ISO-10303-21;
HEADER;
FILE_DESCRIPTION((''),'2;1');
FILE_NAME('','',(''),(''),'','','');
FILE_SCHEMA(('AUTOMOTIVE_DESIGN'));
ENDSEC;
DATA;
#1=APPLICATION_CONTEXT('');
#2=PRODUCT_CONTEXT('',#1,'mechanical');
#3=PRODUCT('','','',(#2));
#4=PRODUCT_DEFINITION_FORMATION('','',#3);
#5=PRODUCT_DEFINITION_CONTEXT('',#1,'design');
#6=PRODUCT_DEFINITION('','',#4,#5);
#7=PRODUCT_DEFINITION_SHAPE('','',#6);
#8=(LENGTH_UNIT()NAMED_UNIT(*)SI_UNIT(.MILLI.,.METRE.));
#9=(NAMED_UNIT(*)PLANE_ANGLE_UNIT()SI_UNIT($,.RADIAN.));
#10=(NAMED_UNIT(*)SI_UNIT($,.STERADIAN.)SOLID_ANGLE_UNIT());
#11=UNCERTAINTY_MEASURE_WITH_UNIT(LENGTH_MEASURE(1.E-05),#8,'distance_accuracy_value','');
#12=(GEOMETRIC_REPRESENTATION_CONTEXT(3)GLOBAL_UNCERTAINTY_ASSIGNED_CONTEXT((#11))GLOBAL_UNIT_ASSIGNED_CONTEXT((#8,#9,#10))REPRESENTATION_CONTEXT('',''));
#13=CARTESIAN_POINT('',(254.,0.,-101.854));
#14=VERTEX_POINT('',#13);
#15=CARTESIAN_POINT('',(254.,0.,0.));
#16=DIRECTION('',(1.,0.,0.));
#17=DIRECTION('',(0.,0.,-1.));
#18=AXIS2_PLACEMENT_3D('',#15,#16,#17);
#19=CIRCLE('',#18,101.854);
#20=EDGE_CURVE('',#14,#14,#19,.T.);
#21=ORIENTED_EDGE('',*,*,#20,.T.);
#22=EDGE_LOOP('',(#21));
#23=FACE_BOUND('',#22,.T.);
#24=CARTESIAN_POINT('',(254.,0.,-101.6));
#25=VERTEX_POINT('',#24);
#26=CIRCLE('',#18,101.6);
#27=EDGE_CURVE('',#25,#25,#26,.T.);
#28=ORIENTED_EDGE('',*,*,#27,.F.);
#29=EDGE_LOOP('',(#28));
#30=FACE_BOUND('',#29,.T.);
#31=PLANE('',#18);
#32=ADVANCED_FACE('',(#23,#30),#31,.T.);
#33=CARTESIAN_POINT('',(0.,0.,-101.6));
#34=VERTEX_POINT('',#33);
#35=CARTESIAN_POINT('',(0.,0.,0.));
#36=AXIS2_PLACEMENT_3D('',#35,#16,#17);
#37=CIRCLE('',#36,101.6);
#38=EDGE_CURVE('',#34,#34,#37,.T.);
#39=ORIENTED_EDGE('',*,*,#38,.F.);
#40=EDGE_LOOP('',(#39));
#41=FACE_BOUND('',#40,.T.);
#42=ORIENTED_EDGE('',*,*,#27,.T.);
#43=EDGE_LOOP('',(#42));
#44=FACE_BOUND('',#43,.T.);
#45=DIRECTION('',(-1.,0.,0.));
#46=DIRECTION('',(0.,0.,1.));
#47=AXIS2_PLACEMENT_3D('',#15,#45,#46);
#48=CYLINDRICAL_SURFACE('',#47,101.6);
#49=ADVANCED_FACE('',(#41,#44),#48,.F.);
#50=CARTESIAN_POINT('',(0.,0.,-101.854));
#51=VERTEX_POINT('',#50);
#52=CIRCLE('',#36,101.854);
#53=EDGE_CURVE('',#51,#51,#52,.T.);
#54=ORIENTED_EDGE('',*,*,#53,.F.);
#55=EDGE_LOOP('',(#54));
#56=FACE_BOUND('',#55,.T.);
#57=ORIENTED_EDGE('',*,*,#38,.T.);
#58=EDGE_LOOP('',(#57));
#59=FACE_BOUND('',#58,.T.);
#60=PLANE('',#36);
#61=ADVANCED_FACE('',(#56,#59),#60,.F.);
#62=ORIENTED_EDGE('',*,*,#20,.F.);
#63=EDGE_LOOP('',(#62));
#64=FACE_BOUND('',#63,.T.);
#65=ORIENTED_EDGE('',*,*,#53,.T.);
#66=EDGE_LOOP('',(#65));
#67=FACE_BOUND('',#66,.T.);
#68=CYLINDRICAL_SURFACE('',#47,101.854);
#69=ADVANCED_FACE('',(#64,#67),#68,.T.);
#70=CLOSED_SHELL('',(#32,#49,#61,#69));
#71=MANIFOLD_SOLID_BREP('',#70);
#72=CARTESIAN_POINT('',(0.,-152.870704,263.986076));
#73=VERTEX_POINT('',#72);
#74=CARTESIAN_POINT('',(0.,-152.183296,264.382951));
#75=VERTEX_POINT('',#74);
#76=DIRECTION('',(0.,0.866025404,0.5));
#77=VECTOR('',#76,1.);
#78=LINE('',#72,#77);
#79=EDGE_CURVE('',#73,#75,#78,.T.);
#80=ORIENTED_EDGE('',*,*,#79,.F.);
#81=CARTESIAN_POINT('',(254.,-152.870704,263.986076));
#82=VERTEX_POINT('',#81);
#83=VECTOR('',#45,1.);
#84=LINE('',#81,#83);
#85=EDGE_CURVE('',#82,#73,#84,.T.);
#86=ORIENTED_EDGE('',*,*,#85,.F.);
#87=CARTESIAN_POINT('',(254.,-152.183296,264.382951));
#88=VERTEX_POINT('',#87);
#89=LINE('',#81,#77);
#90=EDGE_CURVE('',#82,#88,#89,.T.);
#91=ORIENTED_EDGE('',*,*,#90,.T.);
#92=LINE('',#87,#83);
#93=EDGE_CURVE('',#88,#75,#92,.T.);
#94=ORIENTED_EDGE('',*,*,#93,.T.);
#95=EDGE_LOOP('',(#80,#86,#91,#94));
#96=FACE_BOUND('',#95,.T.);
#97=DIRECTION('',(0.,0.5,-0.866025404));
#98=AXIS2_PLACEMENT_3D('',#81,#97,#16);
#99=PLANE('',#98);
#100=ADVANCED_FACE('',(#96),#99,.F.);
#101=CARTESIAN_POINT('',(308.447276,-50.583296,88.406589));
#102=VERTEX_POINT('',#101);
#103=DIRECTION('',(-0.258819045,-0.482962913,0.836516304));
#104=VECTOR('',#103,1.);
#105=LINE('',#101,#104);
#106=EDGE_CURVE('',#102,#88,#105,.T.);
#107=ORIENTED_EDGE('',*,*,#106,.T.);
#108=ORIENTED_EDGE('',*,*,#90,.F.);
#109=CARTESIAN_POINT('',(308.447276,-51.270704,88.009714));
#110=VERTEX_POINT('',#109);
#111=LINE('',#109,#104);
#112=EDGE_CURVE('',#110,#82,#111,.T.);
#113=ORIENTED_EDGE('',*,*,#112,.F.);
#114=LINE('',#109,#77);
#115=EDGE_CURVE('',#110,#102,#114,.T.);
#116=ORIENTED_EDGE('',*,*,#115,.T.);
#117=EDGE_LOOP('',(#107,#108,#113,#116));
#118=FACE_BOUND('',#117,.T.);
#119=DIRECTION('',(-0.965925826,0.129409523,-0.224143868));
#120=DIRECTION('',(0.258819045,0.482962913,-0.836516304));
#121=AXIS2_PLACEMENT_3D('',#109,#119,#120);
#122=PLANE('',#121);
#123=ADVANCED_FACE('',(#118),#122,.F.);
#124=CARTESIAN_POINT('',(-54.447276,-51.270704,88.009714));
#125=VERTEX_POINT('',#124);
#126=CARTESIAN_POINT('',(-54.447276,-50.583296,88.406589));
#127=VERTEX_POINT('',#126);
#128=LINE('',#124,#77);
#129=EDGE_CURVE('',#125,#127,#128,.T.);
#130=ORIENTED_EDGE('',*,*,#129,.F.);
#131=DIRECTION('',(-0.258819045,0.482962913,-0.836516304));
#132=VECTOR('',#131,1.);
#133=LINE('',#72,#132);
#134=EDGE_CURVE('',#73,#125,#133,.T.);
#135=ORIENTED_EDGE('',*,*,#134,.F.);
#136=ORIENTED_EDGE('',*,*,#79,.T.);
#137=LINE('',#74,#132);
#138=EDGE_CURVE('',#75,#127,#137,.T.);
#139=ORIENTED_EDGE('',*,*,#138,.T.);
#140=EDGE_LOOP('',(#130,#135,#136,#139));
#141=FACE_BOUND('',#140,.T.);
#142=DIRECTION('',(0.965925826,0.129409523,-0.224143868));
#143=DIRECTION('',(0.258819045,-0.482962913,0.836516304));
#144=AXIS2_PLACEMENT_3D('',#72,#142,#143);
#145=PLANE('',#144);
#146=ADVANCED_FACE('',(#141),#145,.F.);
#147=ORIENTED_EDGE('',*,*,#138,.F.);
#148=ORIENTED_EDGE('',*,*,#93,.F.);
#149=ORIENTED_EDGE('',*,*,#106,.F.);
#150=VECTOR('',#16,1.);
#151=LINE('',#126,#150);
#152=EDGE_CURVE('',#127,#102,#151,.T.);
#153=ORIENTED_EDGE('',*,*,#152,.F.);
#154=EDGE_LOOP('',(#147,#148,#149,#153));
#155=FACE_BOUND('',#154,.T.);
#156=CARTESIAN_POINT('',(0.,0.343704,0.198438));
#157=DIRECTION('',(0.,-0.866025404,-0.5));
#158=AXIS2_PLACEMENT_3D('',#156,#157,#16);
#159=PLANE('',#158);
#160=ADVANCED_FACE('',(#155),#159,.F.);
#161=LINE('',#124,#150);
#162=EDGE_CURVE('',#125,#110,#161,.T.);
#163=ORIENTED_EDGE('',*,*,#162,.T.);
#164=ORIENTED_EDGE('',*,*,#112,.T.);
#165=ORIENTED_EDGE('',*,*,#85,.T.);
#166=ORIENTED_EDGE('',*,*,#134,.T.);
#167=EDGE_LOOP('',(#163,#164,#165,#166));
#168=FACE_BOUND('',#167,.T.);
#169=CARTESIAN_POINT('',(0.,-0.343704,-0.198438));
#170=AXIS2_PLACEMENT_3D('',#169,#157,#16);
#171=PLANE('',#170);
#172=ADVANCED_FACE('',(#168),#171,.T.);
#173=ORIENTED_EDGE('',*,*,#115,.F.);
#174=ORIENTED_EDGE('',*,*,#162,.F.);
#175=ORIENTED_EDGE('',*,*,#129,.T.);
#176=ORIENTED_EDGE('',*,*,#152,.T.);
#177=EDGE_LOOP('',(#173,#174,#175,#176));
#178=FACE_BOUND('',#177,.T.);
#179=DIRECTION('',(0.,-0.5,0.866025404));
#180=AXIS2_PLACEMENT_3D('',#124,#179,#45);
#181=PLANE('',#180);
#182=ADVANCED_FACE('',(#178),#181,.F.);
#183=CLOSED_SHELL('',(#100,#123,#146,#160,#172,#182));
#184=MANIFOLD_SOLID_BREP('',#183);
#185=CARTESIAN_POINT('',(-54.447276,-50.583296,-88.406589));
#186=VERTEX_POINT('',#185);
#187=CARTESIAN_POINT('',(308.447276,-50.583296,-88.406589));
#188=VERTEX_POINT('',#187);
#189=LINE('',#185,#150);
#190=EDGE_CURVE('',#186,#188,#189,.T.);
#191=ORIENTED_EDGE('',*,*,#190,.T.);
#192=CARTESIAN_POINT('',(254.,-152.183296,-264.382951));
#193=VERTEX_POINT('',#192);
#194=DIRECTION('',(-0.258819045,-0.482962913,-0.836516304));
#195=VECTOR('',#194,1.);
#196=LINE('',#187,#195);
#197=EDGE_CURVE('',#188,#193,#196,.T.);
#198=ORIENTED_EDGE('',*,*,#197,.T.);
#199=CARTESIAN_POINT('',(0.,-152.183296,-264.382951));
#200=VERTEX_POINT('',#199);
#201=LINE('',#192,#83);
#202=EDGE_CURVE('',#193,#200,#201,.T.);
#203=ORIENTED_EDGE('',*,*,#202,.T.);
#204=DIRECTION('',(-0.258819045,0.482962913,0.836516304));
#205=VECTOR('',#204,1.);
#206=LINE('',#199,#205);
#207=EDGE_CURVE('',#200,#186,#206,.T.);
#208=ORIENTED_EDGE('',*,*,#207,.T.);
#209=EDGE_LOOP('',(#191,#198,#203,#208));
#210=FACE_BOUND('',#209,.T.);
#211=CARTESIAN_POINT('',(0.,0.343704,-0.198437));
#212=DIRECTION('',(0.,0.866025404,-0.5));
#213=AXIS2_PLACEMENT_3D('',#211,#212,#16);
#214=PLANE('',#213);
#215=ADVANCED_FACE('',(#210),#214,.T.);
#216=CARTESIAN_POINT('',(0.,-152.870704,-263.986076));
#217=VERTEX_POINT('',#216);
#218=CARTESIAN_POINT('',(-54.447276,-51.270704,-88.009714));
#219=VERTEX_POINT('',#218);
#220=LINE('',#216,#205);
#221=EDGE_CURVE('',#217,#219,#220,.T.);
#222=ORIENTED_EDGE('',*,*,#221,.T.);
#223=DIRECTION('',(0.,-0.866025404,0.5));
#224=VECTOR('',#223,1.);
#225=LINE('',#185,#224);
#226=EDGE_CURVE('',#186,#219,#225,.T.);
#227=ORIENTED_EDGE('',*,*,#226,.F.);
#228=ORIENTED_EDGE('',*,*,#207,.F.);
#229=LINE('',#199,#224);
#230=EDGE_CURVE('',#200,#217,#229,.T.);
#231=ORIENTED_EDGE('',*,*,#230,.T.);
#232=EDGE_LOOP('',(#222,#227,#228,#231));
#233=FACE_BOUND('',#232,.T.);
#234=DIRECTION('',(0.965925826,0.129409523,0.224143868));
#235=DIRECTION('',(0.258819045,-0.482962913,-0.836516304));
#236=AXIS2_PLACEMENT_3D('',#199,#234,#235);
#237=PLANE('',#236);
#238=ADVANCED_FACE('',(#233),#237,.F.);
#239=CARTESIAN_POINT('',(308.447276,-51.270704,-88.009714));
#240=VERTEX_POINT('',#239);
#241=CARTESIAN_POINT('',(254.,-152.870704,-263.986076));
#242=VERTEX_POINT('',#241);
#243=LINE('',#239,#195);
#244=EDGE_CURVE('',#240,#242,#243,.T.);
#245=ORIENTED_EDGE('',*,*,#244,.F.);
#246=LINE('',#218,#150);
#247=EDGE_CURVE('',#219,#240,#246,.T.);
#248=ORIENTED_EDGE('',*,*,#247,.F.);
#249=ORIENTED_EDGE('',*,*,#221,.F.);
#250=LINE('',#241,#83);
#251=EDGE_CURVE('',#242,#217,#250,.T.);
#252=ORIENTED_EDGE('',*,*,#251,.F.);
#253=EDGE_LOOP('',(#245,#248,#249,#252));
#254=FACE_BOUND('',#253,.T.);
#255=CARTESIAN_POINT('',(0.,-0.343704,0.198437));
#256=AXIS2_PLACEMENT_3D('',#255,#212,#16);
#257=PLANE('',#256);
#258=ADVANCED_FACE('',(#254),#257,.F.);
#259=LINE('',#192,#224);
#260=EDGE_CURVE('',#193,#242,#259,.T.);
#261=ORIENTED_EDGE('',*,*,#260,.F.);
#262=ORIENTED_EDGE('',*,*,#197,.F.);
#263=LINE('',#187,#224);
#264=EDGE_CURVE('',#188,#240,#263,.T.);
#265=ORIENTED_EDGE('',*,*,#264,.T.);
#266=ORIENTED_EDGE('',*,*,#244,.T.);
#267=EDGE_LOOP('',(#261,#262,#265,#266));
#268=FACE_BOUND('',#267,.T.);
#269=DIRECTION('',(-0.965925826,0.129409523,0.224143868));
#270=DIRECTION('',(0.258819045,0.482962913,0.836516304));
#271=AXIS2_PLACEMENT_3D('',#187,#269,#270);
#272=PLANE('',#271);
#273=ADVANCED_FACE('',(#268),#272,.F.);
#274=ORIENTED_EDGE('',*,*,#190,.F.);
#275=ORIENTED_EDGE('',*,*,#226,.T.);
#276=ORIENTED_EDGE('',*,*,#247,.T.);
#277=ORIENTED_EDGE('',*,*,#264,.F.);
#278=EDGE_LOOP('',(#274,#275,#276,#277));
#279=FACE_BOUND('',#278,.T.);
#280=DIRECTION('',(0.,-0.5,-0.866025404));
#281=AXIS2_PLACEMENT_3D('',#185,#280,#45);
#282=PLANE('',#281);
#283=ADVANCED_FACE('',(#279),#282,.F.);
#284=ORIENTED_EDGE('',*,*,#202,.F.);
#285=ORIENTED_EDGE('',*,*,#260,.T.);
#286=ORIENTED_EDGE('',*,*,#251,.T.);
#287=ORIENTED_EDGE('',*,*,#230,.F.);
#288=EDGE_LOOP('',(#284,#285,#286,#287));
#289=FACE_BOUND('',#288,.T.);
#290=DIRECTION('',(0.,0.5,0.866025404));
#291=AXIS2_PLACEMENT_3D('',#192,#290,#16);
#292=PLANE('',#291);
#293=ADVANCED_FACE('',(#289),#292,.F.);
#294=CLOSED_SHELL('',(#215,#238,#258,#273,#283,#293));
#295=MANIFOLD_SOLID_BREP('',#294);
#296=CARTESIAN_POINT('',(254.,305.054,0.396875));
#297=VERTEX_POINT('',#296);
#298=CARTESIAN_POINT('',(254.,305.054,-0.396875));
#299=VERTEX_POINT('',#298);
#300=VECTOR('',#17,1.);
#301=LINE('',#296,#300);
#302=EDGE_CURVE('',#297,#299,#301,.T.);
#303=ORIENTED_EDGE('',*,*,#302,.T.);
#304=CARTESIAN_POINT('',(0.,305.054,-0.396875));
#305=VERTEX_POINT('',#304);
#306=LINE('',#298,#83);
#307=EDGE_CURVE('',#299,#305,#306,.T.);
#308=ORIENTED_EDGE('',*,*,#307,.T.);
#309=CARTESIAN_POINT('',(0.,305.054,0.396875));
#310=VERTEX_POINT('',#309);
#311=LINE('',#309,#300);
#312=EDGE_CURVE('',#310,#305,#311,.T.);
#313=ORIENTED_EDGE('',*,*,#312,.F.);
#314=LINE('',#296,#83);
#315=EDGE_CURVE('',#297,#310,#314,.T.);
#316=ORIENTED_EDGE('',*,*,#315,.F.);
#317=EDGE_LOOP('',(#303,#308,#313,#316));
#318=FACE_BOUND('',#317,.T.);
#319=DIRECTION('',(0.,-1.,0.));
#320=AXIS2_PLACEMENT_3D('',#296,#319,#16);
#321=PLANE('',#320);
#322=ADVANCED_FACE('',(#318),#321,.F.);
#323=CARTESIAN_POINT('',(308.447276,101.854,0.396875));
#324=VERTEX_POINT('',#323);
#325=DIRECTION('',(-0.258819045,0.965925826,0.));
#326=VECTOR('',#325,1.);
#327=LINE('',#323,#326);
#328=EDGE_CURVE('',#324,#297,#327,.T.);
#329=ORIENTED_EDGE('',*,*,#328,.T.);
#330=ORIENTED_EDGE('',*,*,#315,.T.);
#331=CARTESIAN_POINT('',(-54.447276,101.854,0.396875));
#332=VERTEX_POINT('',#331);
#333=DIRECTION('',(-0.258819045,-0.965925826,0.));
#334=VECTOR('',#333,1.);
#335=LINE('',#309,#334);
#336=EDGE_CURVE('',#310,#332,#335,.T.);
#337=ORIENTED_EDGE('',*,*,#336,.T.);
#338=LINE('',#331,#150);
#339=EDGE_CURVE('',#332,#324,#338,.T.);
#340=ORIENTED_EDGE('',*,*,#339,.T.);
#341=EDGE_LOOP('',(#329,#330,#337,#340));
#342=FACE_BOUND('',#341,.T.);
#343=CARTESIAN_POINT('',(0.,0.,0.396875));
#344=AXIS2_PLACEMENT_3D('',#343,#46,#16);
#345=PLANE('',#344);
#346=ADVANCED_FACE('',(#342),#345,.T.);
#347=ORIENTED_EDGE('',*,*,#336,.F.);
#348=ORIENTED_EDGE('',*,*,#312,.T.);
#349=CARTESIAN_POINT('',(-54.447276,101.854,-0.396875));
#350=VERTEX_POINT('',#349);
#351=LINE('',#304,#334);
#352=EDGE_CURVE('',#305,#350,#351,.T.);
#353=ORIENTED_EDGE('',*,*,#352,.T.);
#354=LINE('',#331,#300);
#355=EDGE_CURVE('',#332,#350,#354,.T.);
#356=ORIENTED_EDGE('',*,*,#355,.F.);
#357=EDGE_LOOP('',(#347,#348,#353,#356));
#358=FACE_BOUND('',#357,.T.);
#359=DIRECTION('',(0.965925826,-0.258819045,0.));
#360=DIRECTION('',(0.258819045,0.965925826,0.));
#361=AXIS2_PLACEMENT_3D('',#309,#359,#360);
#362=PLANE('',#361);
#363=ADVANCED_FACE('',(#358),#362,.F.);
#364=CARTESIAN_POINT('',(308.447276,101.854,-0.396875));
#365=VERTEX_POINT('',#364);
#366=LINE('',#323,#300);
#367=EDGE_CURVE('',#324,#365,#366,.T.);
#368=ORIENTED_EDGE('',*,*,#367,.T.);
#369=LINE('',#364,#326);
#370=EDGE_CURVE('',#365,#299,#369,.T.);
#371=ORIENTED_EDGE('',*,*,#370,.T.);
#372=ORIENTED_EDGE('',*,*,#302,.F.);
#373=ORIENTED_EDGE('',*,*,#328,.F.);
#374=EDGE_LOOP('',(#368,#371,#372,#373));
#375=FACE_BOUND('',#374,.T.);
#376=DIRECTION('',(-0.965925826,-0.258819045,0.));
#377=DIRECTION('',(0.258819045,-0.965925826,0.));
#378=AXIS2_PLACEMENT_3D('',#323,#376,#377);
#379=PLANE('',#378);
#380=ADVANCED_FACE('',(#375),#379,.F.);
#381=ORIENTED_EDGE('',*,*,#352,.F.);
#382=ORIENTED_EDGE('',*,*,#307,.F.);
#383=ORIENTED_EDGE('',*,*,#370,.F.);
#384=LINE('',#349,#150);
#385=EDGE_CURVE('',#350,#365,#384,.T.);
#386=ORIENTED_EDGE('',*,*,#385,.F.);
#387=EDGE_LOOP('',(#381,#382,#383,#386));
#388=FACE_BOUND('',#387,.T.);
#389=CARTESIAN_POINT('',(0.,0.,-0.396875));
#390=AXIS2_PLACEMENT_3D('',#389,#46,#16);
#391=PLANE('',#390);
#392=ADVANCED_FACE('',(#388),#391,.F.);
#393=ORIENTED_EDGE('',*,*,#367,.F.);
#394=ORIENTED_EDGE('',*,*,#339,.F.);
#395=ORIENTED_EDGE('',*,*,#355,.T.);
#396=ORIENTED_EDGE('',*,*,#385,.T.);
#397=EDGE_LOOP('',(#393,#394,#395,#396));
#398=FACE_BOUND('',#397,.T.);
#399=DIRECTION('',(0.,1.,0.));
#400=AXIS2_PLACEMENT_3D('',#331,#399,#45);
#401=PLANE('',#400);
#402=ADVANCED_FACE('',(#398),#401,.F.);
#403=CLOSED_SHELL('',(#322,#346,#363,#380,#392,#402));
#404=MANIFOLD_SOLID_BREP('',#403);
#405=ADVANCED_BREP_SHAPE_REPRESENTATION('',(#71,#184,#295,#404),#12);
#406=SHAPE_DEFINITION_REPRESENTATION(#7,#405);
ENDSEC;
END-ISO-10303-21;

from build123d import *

# Parameters (mm, degrees)
SKETCH1_R           = 101.854
SKETCH1_R_2         = 101.6
EXTRUDE_THIN1_DEPTH = 254
BOSS_EXTRUDE1_DEPTH = 0.396875
CIRPATTERN2_COUNT   = 3


with BuildPart() as part:
    # Sketch1 → Extrude-Thin1 (new body)
    with BuildSketch(Plane(origin=(0, 0, 0), x_dir=(0, 0, -1), z_dir=(1, 0, 0))):
        Circle(SKETCH1_R)
        Circle(SKETCH1_R_2, mode=Mode.SUBTRACT)
    extrude(amount=EXTRUDE_THIN1_DEPTH)


with BuildPart() as body_2:
    # Sketch2 → Boss-Extrude1 (new, symmetric)
    with BuildSketch(Plane.XY):
        Polygon((308.447275902, 101.854), (254, 305.054), (0, 305.054), (-54.447275902, 101.854), align=None)
    extrude(amount=BOSS_EXTRUDE1_DEPTH, both=True)


with BuildPart() as cirpattern2_1:
    # CirPattern2: pattern copy
    add(body_2.part.rotate(Axis((-33.196859496, 0, 0), (1, 0, 0)), 1 * 360 / CIRPATTERN2_COUNT))


with BuildPart() as cirpattern2_2:
    # CirPattern2: pattern copy
    add(body_2.part.rotate(Axis((-33.196859496, 0, 0), (1, 0, 0)), 2 * 360 / CIRPATTERN2_COUNT))


solid = Compound([part.part, body_2.part, cirpattern2_1.part, cirpattern2_2.part])
